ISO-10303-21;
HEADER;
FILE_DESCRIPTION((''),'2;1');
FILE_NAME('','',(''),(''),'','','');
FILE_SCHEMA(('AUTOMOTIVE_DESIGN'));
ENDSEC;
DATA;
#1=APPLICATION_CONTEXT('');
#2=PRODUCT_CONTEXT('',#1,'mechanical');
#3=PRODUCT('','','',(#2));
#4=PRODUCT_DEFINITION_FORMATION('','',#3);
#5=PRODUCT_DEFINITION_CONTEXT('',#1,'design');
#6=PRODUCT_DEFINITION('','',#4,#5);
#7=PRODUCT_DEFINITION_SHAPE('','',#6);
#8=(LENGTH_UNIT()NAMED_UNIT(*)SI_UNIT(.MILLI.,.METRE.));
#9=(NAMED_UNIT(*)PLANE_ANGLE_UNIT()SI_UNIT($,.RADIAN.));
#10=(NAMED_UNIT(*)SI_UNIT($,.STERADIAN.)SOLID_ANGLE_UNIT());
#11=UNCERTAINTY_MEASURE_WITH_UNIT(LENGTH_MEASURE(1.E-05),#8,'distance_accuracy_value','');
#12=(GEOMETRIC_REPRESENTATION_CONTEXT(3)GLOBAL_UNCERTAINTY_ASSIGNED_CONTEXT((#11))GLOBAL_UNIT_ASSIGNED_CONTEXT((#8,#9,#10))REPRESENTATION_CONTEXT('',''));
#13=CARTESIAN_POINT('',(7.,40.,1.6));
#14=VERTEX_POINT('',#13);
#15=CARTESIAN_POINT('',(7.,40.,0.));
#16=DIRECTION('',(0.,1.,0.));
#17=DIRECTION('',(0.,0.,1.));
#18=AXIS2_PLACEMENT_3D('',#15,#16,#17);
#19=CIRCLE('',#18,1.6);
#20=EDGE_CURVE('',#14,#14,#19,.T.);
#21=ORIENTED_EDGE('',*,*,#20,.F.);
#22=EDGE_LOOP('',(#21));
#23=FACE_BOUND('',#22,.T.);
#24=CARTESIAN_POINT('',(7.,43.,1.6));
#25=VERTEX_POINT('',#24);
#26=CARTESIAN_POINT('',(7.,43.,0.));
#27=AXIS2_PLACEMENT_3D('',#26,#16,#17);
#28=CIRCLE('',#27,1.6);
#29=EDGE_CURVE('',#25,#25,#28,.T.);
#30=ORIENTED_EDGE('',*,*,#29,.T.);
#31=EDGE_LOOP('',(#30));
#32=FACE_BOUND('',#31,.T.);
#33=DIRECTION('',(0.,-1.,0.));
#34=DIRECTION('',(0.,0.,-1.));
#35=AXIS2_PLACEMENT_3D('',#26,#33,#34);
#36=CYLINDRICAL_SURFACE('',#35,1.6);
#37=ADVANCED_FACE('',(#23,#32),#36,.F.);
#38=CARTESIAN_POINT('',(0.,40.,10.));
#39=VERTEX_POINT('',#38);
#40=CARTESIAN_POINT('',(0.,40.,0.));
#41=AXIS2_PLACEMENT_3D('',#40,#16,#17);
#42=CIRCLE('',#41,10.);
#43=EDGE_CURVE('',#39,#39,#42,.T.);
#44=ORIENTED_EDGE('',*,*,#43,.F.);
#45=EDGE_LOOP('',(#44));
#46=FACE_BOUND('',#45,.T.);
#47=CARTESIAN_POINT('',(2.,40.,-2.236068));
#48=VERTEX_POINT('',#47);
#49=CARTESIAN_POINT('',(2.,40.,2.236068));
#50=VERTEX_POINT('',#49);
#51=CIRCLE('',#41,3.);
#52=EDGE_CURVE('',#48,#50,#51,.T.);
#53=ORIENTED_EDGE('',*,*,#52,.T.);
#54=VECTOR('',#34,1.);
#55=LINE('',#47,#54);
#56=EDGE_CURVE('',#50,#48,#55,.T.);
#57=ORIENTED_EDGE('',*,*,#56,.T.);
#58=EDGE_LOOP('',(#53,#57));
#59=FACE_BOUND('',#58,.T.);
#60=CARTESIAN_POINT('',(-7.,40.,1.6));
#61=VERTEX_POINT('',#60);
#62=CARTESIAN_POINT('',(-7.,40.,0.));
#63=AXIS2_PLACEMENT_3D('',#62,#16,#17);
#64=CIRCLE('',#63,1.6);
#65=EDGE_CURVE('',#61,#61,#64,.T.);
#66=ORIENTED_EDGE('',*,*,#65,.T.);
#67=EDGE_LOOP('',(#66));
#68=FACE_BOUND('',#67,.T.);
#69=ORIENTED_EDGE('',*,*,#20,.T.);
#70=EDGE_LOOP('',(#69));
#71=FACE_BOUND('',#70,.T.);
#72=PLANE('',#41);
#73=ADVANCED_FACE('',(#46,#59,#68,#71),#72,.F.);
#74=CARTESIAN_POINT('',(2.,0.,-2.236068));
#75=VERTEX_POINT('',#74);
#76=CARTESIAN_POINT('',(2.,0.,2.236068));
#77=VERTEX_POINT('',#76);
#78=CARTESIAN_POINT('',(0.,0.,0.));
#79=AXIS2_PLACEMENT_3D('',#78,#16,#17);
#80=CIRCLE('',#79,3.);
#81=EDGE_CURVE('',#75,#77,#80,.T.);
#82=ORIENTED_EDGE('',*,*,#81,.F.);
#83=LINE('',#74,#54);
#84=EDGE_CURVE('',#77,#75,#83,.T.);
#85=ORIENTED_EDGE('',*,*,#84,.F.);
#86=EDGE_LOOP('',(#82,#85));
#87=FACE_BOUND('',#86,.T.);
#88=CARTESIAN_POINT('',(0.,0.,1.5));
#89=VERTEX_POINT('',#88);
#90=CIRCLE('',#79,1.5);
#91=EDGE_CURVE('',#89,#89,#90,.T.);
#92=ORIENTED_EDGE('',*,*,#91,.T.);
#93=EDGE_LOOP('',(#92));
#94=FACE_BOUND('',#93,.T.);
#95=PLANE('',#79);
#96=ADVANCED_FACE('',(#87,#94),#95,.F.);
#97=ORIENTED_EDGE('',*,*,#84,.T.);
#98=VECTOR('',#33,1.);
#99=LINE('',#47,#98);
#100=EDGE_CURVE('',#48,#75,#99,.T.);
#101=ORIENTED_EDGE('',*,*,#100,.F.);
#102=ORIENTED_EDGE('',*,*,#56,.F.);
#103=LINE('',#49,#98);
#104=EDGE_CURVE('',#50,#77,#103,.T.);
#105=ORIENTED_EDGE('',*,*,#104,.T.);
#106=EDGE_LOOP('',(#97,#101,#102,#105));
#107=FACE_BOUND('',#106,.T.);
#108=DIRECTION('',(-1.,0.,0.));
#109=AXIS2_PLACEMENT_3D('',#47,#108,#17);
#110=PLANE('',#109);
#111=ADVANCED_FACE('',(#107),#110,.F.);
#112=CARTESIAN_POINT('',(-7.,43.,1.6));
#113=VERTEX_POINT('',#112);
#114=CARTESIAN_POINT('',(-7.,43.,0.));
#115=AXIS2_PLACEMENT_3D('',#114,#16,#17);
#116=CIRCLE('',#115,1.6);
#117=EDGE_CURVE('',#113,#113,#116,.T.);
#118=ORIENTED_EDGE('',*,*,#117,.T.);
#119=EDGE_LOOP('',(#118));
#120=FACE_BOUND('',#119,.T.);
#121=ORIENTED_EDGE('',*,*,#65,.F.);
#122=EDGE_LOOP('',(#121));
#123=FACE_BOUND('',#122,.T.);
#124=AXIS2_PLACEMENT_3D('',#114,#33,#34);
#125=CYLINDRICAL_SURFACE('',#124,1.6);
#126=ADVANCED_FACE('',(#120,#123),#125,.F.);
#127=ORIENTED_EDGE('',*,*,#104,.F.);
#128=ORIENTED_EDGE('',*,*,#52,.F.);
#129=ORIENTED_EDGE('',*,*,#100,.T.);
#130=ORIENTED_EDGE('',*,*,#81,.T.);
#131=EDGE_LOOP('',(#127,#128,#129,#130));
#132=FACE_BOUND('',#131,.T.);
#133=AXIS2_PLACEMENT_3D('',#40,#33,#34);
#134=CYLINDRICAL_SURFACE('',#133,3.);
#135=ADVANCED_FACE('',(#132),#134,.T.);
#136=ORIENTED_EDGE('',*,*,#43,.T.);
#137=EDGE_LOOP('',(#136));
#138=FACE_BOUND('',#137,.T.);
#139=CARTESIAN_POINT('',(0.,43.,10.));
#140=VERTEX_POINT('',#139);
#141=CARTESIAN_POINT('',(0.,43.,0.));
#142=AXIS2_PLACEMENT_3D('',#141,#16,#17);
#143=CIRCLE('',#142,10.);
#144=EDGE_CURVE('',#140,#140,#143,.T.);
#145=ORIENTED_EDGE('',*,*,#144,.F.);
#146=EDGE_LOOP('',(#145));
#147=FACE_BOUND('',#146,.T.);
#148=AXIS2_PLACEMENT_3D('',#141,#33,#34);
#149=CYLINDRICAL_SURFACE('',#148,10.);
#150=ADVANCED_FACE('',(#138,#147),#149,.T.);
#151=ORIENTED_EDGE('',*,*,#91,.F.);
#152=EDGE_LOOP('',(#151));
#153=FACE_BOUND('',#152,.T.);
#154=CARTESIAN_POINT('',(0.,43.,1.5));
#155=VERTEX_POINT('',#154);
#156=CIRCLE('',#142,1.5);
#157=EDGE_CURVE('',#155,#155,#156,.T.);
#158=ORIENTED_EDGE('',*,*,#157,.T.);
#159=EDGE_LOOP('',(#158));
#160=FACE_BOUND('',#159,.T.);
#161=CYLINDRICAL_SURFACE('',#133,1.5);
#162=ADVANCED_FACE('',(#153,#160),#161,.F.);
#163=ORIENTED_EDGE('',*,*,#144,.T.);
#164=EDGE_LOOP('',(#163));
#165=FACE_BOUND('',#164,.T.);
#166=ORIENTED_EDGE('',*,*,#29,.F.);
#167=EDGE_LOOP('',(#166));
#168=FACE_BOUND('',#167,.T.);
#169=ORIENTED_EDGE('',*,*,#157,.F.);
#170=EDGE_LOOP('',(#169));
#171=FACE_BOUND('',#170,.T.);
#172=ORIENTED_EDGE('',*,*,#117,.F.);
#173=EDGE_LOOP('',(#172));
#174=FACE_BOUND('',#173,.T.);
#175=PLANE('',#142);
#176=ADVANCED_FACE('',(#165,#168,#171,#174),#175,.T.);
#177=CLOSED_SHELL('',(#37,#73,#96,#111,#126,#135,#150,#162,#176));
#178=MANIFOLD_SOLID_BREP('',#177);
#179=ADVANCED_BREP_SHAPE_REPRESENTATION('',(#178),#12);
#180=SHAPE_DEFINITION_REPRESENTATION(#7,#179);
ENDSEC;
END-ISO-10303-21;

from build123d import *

# Parameters (mm, degrees)
SKETCH1_R           = 1.5
BOSS_EXTRUDE1_DEPTH = 40
SKETCH2_R           = 10
SKETCH2_R_2         = 1.6
SKETCH2_R_3         = 1.5
BOSS_EXTRUDE2_DEPTH = 3


with BuildPart() as part:
    # Sketch1 → Boss-Extrude1 (new body)
    with BuildSketch(Plane(origin=(0, 0, 0), x_dir=(1, 0, 0), z_dir=(0, 1, 0))):
        with BuildLine():
            Line((2, 2.236067977), (2, -2.236067977))
            ThreePointArc((2, -2.236067977), (-3, 0), (2, 2.236067977))
        make_face()
        with Locations(Location((0, 0, 0), (0, 0, 270))):
            Circle(SKETCH1_R, mode=Mode.SUBTRACT)
    extrude(amount=BOSS_EXTRUDE1_DEPTH)

    # Sketch2 → Boss-Extrude2 (add)
    with BuildSketch(Plane(origin=(0, 40, 0), x_dir=(1, 0, 0), z_dir=(0, 1, 0))):
        with Locations(Location((0, 0, 0), (0, 0, 270))):
            Circle(SKETCH2_R)
        with Locations(Location((-7, 0, 0), (0, 0, 270))):
            Circle(SKETCH2_R_2, mode=Mode.SUBTRACT)
        with Locations(Location((7, 0, 0), (0, 0, 270))):
            Circle(SKETCH2_R_2, mode=Mode.SUBTRACT)
        with Locations(Location((0, 0, 0), (0, 0, 270))):
            Circle(SKETCH2_R_3, mode=Mode.SUBTRACT)
    extrude(amount=BOSS_EXTRUDE2_DEPTH)


solid = part.part
